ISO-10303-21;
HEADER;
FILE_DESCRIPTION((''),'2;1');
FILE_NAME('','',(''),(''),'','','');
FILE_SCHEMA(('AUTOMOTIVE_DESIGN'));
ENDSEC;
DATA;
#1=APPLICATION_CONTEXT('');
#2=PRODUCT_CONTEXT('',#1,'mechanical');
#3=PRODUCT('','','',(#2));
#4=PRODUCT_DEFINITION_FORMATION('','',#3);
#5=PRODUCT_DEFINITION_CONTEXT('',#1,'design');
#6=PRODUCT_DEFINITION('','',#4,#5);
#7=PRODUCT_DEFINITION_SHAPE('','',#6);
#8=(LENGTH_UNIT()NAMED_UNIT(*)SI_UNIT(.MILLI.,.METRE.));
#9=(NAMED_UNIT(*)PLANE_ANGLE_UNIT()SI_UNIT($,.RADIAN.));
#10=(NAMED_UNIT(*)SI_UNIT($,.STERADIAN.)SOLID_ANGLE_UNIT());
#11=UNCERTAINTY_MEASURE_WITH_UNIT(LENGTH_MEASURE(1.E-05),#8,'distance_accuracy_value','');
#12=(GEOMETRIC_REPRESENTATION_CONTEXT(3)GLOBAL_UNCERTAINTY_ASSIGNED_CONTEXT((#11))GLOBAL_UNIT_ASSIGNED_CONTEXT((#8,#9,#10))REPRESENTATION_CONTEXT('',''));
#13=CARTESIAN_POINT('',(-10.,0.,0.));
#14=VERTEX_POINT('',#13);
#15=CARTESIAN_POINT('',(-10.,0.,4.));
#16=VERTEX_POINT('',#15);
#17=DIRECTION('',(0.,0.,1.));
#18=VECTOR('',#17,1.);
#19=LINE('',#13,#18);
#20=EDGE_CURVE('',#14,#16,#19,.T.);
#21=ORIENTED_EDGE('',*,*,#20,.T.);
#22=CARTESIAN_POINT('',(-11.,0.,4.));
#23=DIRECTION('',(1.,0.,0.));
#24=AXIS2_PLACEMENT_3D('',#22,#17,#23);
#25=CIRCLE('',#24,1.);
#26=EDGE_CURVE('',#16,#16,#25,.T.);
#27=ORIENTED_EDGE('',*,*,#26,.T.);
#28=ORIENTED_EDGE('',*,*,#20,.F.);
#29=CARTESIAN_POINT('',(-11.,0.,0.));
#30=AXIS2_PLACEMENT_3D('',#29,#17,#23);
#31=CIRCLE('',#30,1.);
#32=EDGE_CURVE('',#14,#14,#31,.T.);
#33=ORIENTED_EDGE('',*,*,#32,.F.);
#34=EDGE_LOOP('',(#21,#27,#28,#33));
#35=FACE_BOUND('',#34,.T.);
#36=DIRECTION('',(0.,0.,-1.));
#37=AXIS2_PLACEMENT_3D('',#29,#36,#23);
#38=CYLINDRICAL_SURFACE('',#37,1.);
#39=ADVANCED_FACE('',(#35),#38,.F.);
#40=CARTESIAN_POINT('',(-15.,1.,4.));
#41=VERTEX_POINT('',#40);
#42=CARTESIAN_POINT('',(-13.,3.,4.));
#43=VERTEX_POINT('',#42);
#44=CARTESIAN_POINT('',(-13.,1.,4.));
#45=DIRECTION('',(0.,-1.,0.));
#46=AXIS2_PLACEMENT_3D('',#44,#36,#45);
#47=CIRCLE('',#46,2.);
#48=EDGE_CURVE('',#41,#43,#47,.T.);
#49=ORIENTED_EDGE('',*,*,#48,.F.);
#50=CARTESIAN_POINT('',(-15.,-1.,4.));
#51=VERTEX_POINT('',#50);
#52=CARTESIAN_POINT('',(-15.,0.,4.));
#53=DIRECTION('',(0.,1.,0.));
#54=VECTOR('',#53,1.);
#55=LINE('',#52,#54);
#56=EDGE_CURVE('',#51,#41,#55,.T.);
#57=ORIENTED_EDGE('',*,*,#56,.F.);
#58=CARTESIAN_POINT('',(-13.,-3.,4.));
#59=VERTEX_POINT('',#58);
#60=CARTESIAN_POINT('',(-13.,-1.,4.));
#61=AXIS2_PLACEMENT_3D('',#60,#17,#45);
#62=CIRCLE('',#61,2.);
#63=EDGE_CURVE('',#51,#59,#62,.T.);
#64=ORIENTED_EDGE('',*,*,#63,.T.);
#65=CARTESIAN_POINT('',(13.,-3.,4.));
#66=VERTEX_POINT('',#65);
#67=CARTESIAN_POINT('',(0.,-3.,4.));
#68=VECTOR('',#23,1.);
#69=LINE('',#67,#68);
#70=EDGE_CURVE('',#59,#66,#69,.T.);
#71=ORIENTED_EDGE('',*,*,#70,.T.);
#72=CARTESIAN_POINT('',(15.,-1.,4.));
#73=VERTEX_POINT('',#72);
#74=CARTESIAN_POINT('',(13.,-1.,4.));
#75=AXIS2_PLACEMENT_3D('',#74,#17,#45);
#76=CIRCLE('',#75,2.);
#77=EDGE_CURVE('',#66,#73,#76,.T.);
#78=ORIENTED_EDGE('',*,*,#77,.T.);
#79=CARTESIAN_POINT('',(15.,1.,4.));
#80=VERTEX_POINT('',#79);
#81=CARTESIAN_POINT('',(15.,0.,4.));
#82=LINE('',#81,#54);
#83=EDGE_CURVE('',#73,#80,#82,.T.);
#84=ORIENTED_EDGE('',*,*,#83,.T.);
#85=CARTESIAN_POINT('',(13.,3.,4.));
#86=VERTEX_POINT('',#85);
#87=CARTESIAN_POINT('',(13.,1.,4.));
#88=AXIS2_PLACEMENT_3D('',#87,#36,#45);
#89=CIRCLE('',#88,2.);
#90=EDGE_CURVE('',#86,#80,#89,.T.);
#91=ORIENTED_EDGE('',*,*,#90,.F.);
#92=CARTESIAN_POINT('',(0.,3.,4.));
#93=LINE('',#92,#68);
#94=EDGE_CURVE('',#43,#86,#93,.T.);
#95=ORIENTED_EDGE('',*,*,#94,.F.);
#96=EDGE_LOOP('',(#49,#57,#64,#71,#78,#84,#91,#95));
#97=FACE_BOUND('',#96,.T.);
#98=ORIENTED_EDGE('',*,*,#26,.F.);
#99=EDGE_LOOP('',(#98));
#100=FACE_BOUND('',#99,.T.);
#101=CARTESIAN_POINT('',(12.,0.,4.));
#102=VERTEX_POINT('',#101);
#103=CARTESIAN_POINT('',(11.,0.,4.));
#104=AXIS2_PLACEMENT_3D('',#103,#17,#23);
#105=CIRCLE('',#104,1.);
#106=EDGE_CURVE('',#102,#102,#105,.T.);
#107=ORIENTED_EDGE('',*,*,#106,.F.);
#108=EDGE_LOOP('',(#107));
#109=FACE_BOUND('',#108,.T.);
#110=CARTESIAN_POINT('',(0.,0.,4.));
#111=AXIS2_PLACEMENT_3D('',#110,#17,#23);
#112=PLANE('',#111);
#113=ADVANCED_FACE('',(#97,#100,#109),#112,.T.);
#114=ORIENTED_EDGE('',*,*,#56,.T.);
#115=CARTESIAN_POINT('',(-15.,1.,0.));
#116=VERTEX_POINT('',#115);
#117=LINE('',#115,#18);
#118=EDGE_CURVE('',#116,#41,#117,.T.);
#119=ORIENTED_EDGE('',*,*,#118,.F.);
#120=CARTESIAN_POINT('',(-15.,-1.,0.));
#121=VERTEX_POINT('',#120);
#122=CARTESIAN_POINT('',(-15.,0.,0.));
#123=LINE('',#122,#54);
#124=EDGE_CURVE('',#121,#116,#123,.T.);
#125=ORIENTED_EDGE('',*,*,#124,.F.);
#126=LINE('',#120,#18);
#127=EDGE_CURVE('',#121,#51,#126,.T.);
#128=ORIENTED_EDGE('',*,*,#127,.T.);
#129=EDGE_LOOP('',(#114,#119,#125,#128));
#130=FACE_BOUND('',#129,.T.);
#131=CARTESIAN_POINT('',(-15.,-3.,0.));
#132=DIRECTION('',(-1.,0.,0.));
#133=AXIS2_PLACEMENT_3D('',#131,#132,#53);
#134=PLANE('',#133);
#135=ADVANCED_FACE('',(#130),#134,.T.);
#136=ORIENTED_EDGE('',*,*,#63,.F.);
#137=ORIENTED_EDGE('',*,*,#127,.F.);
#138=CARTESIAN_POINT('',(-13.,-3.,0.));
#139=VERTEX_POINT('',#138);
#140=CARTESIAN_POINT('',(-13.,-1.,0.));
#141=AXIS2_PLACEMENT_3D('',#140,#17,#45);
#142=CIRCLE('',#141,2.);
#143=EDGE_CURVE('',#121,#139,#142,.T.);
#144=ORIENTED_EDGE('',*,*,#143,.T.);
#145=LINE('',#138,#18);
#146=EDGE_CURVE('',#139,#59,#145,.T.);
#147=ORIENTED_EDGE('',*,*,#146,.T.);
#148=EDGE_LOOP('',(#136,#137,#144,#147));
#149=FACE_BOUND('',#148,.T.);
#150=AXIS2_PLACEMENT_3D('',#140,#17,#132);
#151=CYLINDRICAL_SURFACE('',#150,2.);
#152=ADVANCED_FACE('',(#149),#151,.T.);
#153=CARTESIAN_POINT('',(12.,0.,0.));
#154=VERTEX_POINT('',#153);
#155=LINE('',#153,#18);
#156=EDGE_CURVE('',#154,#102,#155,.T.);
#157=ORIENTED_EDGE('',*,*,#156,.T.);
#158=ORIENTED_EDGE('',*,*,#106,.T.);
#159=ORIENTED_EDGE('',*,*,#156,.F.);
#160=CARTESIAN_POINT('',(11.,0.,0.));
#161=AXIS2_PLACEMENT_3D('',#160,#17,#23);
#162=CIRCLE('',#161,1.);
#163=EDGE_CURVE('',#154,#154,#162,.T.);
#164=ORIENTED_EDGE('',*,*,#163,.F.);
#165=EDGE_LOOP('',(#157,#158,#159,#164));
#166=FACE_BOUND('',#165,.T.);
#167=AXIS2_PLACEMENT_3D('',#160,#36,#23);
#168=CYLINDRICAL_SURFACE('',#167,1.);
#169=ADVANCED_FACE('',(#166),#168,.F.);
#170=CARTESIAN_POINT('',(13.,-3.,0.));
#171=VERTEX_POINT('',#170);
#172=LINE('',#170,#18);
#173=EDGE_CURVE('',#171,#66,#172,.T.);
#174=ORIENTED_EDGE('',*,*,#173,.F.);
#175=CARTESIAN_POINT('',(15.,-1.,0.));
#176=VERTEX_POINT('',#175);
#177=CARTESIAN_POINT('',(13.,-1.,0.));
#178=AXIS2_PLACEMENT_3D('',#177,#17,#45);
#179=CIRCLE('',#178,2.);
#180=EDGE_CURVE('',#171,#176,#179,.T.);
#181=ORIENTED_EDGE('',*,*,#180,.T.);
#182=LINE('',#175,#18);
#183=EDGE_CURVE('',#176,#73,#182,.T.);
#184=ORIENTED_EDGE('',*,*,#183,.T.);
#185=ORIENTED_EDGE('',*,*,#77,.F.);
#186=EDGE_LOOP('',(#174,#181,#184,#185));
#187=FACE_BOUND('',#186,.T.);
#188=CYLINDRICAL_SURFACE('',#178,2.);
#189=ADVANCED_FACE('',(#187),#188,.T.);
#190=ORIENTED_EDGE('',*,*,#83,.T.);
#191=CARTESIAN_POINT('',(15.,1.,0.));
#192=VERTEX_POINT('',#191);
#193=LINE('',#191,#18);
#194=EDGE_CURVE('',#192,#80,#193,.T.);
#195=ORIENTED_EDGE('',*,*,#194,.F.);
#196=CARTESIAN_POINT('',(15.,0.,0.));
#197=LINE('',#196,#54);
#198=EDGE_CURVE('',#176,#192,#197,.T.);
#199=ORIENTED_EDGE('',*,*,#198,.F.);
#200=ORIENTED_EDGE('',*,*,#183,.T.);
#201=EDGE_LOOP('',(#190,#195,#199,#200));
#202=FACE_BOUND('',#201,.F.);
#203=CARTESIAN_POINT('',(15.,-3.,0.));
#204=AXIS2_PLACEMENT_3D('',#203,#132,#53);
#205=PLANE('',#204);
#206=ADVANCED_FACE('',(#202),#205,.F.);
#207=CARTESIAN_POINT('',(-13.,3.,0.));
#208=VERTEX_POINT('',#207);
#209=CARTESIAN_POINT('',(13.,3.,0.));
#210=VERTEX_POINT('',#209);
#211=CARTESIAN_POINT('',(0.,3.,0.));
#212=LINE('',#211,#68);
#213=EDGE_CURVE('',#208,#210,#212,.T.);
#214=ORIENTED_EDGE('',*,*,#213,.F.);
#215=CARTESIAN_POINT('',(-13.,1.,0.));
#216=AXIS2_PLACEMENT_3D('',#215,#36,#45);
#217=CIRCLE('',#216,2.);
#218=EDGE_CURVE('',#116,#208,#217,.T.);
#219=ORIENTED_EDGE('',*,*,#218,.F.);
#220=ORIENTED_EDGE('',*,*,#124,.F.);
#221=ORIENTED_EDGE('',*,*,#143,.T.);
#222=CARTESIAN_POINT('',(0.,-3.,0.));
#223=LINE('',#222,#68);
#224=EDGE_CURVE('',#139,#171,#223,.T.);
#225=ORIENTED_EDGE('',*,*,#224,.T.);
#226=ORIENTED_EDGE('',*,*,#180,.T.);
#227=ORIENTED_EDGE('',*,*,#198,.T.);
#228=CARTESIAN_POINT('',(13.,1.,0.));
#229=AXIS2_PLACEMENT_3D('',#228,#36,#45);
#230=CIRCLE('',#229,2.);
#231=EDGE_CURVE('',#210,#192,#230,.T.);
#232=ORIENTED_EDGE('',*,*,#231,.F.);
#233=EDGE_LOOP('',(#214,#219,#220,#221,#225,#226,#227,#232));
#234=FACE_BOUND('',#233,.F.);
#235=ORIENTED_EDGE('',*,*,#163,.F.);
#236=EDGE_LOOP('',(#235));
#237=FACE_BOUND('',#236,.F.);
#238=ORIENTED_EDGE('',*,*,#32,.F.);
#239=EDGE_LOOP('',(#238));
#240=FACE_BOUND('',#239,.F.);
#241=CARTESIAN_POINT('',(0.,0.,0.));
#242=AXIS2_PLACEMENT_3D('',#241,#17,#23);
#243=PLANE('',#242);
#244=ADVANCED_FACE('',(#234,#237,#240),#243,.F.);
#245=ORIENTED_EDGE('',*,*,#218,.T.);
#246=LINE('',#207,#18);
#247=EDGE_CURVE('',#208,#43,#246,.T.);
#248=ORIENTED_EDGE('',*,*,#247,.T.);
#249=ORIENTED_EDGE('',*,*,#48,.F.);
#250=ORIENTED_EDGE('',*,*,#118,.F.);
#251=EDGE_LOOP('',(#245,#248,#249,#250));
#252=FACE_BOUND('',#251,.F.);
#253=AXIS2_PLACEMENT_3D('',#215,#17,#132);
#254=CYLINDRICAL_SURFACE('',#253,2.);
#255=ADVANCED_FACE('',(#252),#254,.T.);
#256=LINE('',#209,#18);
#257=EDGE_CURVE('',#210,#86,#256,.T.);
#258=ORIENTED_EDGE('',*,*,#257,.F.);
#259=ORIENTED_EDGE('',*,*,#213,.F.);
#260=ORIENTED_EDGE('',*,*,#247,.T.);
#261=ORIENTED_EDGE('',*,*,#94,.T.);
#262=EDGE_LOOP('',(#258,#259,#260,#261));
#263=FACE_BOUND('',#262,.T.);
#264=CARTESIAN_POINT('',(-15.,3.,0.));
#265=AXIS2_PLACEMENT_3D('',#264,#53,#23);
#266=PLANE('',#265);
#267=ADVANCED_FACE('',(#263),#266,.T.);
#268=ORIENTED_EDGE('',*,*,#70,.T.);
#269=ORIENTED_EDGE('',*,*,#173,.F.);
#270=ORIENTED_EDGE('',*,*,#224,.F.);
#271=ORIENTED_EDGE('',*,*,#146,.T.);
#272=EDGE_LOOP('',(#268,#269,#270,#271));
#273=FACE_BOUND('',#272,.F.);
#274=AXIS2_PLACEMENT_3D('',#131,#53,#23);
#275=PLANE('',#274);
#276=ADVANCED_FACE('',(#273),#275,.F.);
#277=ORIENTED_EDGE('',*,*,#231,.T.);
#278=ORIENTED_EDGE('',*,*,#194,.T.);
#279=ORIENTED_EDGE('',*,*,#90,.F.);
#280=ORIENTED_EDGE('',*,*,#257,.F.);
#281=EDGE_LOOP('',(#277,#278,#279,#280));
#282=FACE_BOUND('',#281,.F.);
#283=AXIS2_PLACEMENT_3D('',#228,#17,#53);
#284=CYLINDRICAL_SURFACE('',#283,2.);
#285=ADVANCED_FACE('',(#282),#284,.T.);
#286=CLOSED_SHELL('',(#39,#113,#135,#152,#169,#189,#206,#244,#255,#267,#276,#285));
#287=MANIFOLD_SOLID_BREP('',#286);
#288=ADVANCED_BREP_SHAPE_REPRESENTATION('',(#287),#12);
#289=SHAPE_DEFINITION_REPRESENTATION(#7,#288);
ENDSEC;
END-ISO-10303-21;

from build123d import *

# Parameters (mm, degrees)
F0_W     = 30
F0_H     = 6
F0_R     = 1
F1_DEPTH = 4
F2_R     = 2


with BuildPart() as f1:
    # F0 (on Top) → F1 (new body)
    with BuildSketch(Plane.XY):
        Rectangle(F0_W, F0_H)
        with Locations((-11, 0)):
            Circle(F0_R, mode=Mode.SUBTRACT)
        with Locations((11, 0)):
            Circle(F0_R, mode=Mode.SUBTRACT)
    extrude(amount=F1_DEPTH)

    # F2
    f2_edges = [f1.edges().sort_by_distance(p)[0] for p in [
        (-15, 3, 2),
        (-15, -3, 2),
        (15, 3, 2),
        (15, -3, 2),
    ]]
    fillet(f2_edges, radius=F2_R)


solid = f1.part
